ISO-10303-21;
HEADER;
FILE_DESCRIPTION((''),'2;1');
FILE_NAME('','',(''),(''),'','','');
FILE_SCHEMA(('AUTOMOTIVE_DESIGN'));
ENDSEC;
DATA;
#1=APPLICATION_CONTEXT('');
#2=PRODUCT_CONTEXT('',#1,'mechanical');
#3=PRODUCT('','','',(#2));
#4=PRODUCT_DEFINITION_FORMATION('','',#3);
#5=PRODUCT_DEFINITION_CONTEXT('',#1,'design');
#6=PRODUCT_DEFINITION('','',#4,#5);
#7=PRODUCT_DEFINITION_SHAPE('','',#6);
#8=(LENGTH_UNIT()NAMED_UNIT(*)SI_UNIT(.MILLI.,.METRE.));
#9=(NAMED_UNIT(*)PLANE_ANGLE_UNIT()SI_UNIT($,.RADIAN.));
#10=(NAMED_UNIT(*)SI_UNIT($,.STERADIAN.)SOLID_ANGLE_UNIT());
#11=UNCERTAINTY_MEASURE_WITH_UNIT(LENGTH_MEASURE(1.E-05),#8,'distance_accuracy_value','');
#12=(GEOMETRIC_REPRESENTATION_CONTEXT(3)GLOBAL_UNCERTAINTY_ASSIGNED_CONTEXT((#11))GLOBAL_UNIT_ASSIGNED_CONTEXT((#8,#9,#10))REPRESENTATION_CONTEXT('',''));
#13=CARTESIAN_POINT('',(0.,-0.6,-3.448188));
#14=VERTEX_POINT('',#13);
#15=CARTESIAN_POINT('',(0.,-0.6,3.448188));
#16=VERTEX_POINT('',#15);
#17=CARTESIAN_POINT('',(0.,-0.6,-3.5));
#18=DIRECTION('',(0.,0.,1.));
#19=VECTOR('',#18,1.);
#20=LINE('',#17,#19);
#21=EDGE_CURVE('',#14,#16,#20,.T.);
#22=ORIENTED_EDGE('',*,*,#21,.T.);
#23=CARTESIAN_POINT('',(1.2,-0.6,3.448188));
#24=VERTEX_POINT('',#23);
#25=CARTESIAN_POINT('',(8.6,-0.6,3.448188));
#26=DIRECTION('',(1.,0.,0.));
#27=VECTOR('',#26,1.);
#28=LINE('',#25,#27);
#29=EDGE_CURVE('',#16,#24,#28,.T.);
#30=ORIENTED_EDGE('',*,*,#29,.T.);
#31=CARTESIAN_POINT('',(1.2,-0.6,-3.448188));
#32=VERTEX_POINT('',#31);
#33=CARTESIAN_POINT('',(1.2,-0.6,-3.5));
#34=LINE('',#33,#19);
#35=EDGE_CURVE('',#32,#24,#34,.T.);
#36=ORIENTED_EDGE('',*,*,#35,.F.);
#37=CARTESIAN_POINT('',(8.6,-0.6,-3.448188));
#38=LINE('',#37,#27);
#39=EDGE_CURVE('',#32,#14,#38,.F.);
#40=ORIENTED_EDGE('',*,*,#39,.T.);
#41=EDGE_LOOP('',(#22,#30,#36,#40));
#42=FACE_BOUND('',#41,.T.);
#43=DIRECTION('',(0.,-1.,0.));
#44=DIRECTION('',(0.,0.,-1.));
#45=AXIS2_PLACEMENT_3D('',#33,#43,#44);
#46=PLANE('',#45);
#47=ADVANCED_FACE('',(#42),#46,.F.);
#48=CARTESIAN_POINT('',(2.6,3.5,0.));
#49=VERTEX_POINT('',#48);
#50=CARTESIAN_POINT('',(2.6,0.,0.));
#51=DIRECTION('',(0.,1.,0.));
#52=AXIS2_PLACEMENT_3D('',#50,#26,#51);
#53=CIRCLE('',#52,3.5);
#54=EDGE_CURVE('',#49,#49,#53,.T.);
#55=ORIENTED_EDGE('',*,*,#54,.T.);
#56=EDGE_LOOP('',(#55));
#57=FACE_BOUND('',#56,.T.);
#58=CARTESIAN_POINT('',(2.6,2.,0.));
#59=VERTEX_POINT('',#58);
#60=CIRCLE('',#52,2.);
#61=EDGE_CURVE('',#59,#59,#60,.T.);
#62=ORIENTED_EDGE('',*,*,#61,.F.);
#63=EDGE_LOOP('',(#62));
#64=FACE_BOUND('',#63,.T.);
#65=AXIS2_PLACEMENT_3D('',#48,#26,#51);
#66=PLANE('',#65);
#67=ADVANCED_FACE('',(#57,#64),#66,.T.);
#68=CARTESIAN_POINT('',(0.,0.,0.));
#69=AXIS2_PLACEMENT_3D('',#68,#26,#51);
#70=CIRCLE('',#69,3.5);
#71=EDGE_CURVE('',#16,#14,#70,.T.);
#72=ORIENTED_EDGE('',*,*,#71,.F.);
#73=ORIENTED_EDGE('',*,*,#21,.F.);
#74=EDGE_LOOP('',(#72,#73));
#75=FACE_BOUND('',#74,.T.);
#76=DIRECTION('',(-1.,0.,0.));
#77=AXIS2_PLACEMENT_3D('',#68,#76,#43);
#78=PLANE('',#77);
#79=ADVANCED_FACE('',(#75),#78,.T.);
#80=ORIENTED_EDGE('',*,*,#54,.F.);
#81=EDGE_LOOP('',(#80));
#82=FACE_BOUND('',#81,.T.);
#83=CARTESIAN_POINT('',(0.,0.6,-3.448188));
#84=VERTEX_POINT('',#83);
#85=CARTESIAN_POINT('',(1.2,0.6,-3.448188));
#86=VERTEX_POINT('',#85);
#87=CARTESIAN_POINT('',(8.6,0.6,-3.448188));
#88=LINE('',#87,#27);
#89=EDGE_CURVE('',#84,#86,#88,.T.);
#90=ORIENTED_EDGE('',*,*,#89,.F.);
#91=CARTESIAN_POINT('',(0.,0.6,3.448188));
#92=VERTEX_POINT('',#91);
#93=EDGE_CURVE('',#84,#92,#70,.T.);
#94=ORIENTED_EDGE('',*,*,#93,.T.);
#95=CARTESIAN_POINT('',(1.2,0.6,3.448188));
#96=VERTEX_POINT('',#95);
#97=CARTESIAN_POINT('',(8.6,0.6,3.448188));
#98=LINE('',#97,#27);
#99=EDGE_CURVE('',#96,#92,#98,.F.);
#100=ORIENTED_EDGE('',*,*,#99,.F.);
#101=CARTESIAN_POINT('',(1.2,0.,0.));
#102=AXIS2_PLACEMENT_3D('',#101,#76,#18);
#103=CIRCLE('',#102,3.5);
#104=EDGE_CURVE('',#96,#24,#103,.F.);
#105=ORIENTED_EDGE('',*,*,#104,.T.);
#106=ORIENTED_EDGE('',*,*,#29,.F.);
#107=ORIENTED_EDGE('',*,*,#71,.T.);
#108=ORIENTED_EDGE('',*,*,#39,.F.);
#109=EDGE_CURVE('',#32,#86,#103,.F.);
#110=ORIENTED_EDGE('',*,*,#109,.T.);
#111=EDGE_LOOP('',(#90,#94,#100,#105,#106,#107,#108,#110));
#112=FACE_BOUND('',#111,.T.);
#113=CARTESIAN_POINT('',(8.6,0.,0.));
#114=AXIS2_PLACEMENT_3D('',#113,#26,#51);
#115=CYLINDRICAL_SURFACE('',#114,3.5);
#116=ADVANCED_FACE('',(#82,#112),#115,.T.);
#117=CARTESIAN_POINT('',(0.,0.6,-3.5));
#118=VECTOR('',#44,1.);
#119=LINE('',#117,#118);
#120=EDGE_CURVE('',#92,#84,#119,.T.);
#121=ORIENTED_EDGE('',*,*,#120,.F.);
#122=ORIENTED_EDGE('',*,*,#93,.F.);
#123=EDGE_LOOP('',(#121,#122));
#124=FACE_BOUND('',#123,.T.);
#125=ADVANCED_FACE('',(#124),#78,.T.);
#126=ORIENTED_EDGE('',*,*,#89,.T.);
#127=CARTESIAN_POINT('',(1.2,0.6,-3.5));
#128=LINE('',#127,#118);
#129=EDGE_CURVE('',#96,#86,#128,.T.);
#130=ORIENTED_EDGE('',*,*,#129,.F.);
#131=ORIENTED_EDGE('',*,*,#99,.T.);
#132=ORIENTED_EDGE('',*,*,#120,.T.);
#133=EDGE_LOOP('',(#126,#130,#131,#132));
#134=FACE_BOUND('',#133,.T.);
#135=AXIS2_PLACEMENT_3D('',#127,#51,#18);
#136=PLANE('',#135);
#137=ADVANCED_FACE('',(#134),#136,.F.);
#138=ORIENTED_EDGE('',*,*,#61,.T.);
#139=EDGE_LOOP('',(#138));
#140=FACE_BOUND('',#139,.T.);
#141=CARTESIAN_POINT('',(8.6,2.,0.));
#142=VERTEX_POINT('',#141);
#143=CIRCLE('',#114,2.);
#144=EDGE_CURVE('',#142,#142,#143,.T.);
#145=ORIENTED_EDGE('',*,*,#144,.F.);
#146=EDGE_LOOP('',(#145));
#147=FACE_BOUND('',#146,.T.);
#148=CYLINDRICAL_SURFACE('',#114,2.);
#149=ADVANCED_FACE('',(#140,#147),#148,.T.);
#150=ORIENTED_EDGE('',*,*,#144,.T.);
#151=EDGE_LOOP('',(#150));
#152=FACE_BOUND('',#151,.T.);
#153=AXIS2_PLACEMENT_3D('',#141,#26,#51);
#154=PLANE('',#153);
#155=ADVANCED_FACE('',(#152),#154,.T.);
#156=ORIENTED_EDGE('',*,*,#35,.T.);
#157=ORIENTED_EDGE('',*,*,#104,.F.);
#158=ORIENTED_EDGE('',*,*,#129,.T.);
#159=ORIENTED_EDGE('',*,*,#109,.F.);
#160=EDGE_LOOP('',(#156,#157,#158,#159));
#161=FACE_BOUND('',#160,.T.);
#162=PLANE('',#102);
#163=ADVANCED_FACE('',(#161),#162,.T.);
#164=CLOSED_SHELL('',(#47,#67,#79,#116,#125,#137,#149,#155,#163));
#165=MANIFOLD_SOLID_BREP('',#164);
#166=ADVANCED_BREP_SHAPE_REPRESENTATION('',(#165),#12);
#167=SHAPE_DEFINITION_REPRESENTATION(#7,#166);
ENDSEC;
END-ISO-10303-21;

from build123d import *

# Parameters (mm, degrees)
SKETCH2_W          = 7
SKETCH2_H          = 1.2
CUT_EXTRUDE1_DEPTH = 1.2


with BuildPart() as part:
    # Sketch1 → Revolve1 (revolve)
    with BuildSketch(Plane.XY):
        Polygon((0, 0), (0, 3.5), (2.6, 3.5), (2.6, 2), (8.6, 2), (8.6, 0), align=None)
    revolve(axis=Axis((8.6, 0, 0), (-1, 0, 0)))

    # Sketch2 → Cut-Extrude1 (cut)
    with BuildSketch(Plane.ZY):
        Rectangle(SKETCH2_W, SKETCH2_H)
    extrude(amount=-CUT_EXTRUDE1_DEPTH, mode=Mode.SUBTRACT)


solid = part.part
